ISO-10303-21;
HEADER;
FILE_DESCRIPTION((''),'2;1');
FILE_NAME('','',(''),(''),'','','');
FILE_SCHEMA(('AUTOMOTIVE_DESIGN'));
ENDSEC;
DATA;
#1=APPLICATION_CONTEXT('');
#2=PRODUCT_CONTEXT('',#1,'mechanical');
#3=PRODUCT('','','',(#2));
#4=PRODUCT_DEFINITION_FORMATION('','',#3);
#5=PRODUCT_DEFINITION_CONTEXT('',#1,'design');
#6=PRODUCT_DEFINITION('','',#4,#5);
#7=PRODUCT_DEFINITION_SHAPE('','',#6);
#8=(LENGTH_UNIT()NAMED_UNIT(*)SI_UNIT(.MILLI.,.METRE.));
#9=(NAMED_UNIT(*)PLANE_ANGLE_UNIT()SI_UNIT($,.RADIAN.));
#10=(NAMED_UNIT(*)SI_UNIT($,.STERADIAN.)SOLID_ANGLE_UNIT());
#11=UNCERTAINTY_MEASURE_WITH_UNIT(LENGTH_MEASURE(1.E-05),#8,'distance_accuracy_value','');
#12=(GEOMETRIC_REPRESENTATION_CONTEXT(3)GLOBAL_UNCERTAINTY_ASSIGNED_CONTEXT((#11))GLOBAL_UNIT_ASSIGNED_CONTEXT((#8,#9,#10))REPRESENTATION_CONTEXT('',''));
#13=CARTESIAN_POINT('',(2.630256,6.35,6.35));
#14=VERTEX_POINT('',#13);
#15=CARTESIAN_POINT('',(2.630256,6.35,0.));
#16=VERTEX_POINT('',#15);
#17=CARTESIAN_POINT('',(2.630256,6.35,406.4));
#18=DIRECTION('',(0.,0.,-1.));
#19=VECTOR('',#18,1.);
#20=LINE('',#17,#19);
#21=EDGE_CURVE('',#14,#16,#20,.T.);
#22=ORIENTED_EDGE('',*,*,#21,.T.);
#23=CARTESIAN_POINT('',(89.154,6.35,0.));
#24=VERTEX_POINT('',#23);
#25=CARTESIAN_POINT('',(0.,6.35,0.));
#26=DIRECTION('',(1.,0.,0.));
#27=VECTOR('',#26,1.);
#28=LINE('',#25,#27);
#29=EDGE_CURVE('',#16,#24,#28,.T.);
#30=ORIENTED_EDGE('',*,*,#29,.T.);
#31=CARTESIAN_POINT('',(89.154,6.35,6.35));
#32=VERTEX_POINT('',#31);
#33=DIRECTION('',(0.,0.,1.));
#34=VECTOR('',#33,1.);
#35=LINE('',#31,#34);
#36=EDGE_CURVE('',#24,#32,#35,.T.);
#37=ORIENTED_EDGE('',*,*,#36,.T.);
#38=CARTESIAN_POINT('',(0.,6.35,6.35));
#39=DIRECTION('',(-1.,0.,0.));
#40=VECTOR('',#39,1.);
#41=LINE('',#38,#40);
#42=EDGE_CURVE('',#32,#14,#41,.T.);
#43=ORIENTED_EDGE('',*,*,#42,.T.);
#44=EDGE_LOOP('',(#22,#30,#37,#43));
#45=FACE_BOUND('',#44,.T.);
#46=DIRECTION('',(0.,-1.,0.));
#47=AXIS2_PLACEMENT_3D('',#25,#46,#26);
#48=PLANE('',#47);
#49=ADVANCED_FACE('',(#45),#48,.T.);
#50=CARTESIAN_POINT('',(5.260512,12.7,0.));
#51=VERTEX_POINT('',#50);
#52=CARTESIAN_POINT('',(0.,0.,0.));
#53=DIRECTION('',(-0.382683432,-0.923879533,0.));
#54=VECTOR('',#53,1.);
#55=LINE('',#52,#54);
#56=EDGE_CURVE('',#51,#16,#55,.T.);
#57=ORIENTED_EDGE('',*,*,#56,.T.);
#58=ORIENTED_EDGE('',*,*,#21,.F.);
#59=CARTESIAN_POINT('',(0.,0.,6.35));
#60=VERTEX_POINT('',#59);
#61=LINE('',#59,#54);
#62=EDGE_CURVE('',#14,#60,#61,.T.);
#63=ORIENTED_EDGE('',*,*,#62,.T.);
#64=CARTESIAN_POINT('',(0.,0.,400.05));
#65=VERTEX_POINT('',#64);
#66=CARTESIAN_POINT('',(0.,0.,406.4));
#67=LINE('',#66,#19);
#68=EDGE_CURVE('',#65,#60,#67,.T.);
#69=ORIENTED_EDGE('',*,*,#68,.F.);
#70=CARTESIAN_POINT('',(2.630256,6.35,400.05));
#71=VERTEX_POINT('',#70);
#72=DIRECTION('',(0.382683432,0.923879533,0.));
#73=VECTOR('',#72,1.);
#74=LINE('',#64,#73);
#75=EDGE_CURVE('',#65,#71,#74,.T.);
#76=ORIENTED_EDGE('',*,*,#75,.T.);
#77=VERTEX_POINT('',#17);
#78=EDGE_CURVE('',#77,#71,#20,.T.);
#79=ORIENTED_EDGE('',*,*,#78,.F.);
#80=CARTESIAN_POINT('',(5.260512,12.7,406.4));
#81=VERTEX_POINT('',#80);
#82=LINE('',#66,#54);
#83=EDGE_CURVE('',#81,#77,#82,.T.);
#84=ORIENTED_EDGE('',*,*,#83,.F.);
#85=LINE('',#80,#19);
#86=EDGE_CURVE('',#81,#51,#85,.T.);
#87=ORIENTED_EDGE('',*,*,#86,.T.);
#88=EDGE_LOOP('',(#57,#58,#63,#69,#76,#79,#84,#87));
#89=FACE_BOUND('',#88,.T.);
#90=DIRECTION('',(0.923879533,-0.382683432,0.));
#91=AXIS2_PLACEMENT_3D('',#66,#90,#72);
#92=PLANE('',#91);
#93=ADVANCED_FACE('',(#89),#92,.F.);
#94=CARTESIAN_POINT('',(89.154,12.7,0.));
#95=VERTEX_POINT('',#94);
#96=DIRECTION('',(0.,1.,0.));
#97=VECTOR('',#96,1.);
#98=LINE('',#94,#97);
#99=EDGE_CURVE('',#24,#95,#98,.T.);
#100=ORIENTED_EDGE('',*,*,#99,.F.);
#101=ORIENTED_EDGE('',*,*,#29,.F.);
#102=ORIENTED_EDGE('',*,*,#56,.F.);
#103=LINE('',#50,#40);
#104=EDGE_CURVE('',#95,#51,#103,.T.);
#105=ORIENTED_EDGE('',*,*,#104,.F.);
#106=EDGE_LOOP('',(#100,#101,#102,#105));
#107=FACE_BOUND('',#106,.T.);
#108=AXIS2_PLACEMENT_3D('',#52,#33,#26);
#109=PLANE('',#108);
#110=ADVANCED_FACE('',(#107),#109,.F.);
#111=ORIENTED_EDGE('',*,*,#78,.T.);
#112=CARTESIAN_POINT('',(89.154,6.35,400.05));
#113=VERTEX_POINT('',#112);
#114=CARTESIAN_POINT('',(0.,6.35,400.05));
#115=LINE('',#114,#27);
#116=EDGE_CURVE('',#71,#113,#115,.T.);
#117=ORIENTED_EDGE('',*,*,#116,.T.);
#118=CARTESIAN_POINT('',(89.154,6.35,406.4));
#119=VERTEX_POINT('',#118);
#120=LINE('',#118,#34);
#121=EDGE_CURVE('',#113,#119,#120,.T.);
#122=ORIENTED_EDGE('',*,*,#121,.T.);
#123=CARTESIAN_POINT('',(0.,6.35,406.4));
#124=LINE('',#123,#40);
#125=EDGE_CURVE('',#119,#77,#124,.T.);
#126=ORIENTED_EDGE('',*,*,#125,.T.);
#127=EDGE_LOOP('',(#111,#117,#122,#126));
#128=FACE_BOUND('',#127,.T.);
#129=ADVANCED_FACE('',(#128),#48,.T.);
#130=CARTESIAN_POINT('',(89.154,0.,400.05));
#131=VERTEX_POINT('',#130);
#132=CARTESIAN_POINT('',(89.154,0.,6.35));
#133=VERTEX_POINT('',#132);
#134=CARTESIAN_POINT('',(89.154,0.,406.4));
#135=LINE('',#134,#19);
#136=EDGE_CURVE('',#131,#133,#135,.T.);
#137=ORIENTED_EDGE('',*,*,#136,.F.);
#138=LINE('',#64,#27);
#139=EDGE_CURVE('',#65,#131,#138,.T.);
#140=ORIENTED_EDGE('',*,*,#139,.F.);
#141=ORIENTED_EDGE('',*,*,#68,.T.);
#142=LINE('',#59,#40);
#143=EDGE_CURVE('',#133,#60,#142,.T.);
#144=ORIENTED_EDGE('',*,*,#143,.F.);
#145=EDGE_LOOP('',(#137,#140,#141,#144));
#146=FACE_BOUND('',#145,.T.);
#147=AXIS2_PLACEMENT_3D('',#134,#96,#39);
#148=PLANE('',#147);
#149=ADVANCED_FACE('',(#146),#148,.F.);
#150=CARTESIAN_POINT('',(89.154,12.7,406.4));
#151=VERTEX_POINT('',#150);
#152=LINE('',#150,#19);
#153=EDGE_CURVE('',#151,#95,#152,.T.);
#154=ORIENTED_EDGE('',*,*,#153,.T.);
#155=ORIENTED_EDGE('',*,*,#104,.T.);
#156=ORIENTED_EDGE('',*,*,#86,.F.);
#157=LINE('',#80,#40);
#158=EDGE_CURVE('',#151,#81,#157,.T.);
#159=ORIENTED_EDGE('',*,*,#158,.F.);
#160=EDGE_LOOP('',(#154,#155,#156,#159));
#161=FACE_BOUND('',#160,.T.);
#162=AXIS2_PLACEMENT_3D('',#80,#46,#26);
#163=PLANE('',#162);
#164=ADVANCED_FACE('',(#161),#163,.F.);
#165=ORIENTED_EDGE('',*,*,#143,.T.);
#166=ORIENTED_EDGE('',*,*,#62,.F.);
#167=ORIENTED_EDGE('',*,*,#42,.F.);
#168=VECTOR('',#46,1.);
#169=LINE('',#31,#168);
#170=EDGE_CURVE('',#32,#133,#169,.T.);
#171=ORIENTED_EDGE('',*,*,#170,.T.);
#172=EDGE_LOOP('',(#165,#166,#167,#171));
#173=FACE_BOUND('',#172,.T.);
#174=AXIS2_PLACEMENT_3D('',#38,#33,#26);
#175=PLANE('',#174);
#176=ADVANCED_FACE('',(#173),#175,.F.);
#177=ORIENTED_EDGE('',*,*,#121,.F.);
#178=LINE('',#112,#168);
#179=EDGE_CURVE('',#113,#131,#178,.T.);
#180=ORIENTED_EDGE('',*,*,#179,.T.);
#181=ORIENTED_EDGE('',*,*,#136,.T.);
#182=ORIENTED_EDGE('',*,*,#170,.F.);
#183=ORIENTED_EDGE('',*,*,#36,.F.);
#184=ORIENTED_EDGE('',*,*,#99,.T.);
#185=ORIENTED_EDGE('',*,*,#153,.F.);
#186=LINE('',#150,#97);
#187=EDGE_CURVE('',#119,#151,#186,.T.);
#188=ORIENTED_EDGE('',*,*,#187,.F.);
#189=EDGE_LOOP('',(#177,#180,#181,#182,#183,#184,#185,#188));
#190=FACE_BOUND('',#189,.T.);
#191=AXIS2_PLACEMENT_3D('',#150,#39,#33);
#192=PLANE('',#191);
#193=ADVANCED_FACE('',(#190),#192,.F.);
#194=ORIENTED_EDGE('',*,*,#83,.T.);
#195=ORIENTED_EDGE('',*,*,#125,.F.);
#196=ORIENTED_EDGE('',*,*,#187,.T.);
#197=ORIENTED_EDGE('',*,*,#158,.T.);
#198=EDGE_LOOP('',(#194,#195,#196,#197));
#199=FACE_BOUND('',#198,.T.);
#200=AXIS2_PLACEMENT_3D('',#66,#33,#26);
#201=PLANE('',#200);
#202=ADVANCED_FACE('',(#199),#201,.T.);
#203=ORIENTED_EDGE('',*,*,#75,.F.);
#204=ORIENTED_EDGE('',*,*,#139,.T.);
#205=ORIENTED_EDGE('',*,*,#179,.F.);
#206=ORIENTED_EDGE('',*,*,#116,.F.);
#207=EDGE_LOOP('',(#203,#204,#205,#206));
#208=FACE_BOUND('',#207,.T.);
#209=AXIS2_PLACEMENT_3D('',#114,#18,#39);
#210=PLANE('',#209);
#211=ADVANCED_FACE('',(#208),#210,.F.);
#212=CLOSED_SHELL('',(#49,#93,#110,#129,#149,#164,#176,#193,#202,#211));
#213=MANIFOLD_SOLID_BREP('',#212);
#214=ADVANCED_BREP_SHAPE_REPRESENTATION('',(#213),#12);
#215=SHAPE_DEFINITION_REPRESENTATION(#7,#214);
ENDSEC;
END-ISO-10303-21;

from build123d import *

# Parameters (mm, degrees)
BOSS_EXTRUDE1_DEPTH = 406.4
SKETCH2_W           = 89.154
SKETCH2_H           = 6.35
CUT_EXTRUDE1_DEPTH  = 6.35


with BuildPart() as part:
    # Sketch1 → Boss-Extrude1 (new body)
    with BuildSketch(Plane.XY):
        Polygon((0, 0), (5.260512242, 12.7), (89.154, 12.7), (89.154, 0), align=None)
    extrude(amount=BOSS_EXTRUDE1_DEPTH)

    # Sketch2 → Cut-Extrude1 (cut)
    with BuildSketch(Plane.XZ):
        with Locations((44.577, 3.175)):
            Rectangle(SKETCH2_W, SKETCH2_H)
        with Locations((44.577, 403.225)):
            Rectangle(SKETCH2_W, SKETCH2_H)
    extrude(amount=-CUT_EXTRUDE1_DEPTH, mode=Mode.SUBTRACT)


solid = part.part
